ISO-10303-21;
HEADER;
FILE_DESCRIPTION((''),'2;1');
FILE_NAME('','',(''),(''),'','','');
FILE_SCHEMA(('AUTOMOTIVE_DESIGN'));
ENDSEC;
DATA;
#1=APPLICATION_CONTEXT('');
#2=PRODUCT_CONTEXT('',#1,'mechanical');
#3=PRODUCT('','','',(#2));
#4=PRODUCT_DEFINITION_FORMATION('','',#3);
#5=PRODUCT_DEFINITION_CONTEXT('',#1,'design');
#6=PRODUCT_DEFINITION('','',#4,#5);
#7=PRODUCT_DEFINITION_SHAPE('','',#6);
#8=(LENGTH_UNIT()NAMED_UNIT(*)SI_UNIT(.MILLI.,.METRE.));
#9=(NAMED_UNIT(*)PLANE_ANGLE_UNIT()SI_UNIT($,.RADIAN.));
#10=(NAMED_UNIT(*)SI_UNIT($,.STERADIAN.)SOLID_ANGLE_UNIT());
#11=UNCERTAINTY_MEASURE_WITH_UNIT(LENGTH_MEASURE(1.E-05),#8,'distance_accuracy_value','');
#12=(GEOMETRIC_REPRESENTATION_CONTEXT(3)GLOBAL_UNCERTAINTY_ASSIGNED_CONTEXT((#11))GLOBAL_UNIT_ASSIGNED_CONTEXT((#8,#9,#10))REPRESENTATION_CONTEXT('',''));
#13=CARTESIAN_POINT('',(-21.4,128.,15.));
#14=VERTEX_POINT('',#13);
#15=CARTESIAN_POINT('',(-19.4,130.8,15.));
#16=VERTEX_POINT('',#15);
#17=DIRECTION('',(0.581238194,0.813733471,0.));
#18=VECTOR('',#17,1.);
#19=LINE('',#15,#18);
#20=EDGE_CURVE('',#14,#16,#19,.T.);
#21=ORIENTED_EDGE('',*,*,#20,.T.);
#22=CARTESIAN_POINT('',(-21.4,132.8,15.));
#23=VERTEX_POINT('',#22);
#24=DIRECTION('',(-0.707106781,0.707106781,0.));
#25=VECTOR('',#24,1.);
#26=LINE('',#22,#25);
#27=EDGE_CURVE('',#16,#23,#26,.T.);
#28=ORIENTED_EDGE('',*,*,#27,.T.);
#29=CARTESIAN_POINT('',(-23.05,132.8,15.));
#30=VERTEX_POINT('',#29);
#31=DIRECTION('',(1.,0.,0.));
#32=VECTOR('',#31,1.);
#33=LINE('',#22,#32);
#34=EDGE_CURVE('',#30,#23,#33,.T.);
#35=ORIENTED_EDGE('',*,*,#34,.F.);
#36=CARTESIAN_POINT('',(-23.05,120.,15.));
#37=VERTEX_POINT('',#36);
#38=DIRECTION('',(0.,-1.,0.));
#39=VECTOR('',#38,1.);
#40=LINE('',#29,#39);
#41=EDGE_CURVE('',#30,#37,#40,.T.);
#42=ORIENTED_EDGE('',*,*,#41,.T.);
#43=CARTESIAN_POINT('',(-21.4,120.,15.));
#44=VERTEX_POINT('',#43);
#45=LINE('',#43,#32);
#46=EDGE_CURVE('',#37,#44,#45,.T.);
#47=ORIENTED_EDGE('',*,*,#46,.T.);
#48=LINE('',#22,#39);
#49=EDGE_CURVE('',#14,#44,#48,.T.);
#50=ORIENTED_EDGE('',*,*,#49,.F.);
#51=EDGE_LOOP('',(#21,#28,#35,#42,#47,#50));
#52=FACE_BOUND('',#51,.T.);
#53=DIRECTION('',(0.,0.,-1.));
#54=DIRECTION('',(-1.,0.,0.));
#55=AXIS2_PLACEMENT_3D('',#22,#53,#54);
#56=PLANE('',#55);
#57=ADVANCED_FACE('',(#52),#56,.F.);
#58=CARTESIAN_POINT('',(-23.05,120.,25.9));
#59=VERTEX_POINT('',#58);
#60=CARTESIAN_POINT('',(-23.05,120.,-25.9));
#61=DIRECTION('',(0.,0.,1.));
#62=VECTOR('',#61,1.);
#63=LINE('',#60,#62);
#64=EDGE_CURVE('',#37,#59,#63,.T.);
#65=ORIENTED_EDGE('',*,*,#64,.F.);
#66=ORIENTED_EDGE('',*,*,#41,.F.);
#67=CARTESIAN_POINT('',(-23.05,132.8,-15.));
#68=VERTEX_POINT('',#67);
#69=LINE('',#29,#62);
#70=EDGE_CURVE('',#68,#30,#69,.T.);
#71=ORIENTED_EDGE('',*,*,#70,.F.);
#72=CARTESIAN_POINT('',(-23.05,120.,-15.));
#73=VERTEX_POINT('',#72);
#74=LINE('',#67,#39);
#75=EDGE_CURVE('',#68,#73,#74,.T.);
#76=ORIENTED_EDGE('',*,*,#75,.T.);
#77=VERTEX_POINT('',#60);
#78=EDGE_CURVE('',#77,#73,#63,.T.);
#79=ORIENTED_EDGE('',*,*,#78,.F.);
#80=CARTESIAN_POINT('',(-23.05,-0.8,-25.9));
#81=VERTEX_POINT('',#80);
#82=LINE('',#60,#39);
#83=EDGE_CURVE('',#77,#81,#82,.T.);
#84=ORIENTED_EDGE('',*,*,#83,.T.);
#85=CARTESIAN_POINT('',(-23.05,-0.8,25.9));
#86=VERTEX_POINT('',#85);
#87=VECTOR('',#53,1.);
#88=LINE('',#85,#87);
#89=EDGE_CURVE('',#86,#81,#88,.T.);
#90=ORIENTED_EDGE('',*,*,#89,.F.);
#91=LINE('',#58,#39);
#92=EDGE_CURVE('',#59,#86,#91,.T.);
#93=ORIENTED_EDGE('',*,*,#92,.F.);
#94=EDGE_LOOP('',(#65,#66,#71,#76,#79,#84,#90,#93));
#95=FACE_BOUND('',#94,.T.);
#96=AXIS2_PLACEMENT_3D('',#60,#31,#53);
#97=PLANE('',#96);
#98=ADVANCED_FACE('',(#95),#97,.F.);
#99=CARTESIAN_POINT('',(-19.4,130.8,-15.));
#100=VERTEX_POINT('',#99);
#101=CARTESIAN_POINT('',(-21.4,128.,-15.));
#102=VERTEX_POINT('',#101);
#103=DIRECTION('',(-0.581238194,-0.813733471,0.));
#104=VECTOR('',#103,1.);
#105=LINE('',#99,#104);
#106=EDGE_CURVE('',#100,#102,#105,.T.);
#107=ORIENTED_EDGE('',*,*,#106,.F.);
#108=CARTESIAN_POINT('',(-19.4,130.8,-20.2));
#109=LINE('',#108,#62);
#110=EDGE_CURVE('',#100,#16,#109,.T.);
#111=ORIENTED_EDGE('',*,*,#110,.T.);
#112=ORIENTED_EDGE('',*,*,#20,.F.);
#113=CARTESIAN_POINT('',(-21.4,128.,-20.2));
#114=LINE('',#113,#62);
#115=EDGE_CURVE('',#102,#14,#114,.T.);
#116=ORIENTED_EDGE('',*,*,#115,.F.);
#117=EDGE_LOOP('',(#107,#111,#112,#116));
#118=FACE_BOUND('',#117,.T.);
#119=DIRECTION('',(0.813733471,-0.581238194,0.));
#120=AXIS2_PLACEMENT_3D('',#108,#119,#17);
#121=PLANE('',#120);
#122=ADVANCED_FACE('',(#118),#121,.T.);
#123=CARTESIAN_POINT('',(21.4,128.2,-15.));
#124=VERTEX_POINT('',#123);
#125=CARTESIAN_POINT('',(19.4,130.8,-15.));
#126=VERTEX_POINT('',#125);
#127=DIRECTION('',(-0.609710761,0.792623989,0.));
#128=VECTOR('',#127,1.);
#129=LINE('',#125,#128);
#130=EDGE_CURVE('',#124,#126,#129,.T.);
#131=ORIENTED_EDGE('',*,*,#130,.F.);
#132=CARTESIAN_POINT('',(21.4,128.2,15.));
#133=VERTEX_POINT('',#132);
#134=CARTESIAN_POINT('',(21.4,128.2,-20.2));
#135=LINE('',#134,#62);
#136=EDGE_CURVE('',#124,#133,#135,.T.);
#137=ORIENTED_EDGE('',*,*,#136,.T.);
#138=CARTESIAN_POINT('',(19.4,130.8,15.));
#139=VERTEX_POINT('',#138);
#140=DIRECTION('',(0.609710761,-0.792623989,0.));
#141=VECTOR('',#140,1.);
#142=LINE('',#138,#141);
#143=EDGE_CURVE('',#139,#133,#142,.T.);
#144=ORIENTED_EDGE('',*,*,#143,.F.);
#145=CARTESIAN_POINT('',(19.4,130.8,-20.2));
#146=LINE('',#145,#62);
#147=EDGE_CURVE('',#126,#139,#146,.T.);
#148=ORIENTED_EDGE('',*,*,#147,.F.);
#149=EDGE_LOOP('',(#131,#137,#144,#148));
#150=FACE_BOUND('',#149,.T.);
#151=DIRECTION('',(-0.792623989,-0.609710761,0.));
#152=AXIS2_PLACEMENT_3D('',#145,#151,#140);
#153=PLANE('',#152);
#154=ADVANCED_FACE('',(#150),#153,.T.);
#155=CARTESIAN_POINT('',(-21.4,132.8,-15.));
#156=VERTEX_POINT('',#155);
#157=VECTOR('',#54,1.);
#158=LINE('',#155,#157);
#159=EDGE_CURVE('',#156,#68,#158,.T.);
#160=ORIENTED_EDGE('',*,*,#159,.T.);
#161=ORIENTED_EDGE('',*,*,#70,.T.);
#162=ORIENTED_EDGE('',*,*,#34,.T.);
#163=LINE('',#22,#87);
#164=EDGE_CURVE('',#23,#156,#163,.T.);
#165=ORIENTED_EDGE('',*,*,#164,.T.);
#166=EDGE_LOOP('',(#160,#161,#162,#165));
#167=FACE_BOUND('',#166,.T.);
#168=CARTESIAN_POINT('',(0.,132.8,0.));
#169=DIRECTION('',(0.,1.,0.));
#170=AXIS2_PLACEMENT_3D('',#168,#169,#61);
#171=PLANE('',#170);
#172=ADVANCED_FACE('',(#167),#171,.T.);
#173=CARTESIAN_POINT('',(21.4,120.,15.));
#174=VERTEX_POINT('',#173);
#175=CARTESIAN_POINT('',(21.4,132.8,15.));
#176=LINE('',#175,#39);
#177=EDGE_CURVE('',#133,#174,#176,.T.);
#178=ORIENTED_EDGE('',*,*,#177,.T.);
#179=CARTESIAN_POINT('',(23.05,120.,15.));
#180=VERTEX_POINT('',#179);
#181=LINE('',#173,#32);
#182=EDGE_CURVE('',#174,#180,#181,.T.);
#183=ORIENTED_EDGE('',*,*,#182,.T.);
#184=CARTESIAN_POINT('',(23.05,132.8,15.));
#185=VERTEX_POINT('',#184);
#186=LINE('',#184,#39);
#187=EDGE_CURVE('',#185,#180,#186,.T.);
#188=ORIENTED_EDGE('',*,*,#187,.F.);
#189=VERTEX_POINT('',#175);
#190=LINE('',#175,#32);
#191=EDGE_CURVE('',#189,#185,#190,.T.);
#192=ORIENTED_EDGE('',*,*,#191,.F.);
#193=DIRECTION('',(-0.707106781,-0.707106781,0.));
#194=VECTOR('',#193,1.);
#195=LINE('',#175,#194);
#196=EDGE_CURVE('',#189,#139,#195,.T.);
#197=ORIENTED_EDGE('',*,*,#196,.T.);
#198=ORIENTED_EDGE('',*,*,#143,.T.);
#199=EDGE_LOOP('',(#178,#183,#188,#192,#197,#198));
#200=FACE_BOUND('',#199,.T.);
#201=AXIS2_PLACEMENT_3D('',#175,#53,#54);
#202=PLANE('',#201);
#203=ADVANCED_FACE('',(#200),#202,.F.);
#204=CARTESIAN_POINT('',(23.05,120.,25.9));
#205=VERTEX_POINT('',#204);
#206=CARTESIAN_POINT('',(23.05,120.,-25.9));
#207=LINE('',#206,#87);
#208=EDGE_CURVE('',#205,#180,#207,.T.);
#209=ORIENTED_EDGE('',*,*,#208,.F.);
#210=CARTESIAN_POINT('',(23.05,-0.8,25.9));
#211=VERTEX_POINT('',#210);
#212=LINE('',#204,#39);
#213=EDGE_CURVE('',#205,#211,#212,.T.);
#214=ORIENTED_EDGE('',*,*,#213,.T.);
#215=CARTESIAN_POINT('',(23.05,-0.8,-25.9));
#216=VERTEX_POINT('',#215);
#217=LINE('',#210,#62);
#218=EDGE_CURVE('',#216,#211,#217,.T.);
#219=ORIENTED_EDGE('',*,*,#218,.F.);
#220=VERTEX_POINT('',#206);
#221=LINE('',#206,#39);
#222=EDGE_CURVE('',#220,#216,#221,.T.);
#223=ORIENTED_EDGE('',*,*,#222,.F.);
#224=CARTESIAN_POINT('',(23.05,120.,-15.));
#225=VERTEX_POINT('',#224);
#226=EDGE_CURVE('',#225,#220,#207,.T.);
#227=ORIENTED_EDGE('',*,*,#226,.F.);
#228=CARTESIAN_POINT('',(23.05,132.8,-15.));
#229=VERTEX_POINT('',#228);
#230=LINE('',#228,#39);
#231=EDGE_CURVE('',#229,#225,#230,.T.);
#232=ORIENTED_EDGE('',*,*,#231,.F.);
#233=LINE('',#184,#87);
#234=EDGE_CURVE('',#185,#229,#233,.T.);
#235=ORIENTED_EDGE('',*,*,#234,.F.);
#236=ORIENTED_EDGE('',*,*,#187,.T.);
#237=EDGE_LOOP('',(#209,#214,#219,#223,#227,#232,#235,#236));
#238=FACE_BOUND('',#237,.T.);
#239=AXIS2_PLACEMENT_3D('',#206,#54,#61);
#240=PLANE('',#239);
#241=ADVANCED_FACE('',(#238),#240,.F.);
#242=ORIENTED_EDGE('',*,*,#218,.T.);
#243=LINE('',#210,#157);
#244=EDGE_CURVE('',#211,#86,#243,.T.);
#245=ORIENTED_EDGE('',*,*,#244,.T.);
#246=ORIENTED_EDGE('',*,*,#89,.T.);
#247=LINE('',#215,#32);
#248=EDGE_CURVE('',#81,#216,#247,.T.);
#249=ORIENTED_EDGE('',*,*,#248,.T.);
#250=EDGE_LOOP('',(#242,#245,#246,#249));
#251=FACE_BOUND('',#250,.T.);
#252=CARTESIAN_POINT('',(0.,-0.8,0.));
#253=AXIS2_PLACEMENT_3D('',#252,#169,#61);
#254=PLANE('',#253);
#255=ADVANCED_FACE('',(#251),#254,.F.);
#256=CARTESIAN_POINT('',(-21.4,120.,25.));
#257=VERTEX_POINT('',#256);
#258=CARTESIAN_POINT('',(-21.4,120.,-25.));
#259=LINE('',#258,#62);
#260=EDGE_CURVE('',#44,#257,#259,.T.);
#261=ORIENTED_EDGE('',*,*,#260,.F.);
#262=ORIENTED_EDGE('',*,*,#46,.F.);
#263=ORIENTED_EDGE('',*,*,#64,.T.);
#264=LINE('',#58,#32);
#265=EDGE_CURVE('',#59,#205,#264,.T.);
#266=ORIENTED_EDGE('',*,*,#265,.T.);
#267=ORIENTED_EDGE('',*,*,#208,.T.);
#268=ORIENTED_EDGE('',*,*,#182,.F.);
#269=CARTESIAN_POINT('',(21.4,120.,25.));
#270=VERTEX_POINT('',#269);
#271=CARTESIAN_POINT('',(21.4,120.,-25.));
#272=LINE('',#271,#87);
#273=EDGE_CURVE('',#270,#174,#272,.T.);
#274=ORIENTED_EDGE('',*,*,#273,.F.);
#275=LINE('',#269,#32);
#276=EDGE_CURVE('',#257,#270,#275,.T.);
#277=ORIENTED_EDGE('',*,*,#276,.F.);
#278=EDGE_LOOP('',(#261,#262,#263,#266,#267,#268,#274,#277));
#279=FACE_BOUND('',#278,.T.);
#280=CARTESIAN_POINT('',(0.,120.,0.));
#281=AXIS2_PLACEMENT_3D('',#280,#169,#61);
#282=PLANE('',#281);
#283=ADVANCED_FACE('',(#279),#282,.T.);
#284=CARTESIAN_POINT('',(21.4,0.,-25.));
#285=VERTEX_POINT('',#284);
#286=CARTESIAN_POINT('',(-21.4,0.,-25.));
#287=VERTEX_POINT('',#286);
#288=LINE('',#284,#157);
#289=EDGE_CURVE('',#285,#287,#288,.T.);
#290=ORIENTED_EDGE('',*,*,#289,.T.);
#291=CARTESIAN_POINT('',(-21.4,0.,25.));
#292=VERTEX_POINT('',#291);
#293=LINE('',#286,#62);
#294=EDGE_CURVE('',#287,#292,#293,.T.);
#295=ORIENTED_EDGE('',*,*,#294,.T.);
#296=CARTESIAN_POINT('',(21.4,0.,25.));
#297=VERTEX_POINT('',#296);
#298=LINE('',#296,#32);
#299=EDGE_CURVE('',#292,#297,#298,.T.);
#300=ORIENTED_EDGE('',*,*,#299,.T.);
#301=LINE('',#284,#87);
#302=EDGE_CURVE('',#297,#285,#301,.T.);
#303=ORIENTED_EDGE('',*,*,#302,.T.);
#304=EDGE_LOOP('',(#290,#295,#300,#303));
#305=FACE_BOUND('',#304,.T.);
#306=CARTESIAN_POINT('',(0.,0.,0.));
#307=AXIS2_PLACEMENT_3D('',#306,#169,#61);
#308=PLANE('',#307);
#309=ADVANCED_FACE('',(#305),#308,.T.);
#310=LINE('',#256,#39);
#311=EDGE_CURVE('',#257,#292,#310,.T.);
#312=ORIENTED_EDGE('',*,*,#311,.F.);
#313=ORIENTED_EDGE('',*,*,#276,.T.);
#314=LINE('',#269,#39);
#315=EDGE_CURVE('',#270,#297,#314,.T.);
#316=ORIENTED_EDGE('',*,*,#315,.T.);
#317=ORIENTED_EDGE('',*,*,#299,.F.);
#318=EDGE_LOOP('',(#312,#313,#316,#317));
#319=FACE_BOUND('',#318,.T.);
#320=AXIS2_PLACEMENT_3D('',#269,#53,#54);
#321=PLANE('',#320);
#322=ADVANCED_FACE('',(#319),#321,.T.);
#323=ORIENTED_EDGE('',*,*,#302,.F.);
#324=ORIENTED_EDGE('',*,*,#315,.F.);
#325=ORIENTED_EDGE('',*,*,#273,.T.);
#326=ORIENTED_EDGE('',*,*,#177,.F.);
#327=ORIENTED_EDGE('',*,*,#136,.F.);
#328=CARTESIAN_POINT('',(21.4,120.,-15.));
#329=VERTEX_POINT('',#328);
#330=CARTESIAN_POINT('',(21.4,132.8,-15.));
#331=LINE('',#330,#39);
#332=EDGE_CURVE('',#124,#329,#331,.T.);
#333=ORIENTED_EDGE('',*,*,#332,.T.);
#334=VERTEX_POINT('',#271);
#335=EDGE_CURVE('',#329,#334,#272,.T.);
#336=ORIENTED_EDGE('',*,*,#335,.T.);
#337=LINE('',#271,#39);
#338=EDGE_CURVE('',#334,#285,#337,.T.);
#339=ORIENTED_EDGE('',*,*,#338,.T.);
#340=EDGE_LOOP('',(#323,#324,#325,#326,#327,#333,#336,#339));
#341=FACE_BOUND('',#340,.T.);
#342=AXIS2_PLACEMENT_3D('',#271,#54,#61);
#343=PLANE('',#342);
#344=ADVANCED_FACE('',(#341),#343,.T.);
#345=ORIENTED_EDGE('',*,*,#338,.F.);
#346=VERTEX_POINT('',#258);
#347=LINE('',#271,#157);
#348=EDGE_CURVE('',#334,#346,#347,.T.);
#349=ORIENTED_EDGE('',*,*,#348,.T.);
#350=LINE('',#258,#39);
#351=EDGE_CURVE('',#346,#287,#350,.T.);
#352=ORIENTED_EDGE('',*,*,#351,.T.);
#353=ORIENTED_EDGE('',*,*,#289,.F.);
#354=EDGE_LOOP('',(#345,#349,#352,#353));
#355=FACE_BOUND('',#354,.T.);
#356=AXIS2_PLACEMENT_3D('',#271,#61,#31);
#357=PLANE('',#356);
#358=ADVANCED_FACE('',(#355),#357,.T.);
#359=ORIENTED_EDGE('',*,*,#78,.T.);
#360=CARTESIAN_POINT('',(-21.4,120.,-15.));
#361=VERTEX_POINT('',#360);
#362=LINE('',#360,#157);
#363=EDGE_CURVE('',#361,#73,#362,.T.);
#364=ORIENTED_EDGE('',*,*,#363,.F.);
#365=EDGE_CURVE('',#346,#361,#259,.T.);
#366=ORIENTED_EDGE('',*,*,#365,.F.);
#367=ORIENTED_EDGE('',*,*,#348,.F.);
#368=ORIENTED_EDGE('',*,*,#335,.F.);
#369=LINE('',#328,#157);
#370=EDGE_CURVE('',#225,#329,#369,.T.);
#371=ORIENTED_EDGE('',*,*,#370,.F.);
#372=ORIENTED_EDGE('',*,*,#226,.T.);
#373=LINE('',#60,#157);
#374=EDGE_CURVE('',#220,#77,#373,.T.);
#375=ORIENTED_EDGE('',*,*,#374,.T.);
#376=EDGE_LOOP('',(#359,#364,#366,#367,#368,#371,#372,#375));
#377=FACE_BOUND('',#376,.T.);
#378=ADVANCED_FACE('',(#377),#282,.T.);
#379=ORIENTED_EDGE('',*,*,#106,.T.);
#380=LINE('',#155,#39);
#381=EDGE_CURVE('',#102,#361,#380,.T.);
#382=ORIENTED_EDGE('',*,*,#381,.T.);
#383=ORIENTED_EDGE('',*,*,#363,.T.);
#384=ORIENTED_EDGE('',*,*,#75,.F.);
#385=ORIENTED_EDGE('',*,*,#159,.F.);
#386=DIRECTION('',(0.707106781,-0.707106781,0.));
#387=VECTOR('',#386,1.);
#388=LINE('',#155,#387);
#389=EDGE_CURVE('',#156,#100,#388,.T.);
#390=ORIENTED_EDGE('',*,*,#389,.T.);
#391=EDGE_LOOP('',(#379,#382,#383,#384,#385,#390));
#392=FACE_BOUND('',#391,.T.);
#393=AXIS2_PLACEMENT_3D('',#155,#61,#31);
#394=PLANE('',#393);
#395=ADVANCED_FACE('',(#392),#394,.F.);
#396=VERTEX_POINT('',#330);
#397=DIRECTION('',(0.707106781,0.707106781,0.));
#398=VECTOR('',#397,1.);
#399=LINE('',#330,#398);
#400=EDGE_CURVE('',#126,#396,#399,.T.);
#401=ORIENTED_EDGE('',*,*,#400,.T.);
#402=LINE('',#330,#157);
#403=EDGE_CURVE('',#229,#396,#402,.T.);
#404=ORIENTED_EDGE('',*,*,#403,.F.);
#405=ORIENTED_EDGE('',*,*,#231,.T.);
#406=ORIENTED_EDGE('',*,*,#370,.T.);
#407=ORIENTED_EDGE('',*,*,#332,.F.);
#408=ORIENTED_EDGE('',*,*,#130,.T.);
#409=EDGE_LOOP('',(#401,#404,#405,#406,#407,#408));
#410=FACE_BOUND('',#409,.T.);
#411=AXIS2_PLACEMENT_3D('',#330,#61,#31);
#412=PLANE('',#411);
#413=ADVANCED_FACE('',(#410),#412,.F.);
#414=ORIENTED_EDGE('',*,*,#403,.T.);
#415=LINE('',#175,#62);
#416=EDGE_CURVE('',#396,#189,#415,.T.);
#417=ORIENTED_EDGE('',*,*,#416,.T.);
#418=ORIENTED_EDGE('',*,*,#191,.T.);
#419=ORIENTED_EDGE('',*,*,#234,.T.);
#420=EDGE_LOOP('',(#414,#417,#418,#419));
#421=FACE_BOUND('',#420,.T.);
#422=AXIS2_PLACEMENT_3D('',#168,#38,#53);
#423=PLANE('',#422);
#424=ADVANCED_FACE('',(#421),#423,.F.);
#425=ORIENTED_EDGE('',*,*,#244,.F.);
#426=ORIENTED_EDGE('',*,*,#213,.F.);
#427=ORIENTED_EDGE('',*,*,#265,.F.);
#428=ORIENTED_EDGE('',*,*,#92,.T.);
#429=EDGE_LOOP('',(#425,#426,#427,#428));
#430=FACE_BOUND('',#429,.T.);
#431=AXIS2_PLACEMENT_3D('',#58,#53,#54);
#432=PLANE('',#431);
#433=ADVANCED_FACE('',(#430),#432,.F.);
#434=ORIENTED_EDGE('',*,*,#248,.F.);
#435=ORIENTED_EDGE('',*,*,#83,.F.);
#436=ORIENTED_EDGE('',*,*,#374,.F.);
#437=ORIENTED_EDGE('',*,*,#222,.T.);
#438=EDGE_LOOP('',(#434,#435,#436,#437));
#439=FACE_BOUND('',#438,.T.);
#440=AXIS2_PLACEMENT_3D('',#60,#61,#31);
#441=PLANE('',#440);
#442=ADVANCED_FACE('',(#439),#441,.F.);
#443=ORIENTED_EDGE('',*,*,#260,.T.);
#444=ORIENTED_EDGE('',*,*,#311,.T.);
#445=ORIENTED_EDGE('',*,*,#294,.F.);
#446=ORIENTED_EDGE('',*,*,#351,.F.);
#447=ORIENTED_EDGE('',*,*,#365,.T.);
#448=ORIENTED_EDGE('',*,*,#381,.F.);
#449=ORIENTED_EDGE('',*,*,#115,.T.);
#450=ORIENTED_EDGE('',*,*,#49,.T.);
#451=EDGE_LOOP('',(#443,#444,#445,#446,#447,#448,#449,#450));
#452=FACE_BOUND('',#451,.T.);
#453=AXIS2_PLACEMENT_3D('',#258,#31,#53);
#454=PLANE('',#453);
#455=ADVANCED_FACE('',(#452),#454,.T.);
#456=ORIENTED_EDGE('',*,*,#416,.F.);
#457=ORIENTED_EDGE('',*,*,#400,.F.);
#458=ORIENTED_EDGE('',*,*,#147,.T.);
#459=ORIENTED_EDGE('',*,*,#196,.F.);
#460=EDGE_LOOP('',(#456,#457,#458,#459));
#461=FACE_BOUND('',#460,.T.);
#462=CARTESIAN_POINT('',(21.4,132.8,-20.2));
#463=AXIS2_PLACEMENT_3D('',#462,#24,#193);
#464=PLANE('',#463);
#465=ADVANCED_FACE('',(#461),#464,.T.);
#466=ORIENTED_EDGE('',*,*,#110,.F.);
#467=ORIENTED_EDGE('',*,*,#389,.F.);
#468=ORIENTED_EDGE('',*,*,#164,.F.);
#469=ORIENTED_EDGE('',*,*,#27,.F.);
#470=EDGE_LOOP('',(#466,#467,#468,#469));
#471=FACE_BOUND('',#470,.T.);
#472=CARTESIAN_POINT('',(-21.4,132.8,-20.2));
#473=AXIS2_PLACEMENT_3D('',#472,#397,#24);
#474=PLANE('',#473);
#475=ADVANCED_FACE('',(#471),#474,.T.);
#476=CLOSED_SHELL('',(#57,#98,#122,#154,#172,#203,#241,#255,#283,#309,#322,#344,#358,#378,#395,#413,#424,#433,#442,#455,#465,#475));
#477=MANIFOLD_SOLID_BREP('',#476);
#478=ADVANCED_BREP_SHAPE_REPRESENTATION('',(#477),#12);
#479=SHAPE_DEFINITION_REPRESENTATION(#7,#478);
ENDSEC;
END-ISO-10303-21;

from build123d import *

# Parameters (mm, degrees)
SKETCH1_W           = 46.1
SKETCH1_H           = 51.8
SKETCH1_W_2         = 42.8
SKETCH1_H_2         = 50
BOSS_EXTRUDE1_DEPTH = 120
SKETCH2_W           = 1.65
SKETCH2_H           = 30
BOSS_EXTRUDE2_DEPTH = 12.8
BOSS_EXTRUDE5_DEPTH = 30
SKETCH6_W           = 46.1
SKETCH6_H           = 51.8
BOSS_EXTRUDE6_DEPTH = 0.8


with BuildPart() as part:
    # Sketch1 → Boss-Extrude1 (new body)
    with BuildSketch(Plane(origin=(0, 0, 0), x_dir=(1, 0, 0), z_dir=(0, 1, 0))):
        Rectangle(SKETCH1_W, SKETCH1_H)
        Rectangle(SKETCH1_W_2, SKETCH1_H_2, mode=Mode.SUBTRACT)
    extrude(amount=BOSS_EXTRUDE1_DEPTH)

    # Sketch2 → Boss-Extrude2 (add)
    with BuildSketch(Plane(origin=(0, 120, 0), x_dir=(1, 0, 0), z_dir=(0, 1, 0))):
        with Locations((22.225, 0)):
            Rectangle(SKETCH2_W, SKETCH2_H)
        with Locations((-22.225, 0)):
            Rectangle(SKETCH2_W, SKETCH2_H)
    extrude(amount=BOSS_EXTRUDE2_DEPTH)

    # Sketch5 → Boss-Extrude5 (add)
    with BuildSketch(Plane.XY.offset(15)):
        Polygon((-19.4, 130.8), (-21.4, 128), (-21.4, 132.8), align=None)
        Polygon((21.4, 128.2), (21.4, 132.8), (19.4, 130.8), align=None)
    extrude(amount=-BOSS_EXTRUDE5_DEPTH)

    # Sketch6 → Boss-Extrude6 (add)
    with BuildSketch(Plane.XZ):
        Rectangle(SKETCH6_W, SKETCH6_H)
    extrude(amount=BOSS_EXTRUDE6_DEPTH)


solid = part.part
